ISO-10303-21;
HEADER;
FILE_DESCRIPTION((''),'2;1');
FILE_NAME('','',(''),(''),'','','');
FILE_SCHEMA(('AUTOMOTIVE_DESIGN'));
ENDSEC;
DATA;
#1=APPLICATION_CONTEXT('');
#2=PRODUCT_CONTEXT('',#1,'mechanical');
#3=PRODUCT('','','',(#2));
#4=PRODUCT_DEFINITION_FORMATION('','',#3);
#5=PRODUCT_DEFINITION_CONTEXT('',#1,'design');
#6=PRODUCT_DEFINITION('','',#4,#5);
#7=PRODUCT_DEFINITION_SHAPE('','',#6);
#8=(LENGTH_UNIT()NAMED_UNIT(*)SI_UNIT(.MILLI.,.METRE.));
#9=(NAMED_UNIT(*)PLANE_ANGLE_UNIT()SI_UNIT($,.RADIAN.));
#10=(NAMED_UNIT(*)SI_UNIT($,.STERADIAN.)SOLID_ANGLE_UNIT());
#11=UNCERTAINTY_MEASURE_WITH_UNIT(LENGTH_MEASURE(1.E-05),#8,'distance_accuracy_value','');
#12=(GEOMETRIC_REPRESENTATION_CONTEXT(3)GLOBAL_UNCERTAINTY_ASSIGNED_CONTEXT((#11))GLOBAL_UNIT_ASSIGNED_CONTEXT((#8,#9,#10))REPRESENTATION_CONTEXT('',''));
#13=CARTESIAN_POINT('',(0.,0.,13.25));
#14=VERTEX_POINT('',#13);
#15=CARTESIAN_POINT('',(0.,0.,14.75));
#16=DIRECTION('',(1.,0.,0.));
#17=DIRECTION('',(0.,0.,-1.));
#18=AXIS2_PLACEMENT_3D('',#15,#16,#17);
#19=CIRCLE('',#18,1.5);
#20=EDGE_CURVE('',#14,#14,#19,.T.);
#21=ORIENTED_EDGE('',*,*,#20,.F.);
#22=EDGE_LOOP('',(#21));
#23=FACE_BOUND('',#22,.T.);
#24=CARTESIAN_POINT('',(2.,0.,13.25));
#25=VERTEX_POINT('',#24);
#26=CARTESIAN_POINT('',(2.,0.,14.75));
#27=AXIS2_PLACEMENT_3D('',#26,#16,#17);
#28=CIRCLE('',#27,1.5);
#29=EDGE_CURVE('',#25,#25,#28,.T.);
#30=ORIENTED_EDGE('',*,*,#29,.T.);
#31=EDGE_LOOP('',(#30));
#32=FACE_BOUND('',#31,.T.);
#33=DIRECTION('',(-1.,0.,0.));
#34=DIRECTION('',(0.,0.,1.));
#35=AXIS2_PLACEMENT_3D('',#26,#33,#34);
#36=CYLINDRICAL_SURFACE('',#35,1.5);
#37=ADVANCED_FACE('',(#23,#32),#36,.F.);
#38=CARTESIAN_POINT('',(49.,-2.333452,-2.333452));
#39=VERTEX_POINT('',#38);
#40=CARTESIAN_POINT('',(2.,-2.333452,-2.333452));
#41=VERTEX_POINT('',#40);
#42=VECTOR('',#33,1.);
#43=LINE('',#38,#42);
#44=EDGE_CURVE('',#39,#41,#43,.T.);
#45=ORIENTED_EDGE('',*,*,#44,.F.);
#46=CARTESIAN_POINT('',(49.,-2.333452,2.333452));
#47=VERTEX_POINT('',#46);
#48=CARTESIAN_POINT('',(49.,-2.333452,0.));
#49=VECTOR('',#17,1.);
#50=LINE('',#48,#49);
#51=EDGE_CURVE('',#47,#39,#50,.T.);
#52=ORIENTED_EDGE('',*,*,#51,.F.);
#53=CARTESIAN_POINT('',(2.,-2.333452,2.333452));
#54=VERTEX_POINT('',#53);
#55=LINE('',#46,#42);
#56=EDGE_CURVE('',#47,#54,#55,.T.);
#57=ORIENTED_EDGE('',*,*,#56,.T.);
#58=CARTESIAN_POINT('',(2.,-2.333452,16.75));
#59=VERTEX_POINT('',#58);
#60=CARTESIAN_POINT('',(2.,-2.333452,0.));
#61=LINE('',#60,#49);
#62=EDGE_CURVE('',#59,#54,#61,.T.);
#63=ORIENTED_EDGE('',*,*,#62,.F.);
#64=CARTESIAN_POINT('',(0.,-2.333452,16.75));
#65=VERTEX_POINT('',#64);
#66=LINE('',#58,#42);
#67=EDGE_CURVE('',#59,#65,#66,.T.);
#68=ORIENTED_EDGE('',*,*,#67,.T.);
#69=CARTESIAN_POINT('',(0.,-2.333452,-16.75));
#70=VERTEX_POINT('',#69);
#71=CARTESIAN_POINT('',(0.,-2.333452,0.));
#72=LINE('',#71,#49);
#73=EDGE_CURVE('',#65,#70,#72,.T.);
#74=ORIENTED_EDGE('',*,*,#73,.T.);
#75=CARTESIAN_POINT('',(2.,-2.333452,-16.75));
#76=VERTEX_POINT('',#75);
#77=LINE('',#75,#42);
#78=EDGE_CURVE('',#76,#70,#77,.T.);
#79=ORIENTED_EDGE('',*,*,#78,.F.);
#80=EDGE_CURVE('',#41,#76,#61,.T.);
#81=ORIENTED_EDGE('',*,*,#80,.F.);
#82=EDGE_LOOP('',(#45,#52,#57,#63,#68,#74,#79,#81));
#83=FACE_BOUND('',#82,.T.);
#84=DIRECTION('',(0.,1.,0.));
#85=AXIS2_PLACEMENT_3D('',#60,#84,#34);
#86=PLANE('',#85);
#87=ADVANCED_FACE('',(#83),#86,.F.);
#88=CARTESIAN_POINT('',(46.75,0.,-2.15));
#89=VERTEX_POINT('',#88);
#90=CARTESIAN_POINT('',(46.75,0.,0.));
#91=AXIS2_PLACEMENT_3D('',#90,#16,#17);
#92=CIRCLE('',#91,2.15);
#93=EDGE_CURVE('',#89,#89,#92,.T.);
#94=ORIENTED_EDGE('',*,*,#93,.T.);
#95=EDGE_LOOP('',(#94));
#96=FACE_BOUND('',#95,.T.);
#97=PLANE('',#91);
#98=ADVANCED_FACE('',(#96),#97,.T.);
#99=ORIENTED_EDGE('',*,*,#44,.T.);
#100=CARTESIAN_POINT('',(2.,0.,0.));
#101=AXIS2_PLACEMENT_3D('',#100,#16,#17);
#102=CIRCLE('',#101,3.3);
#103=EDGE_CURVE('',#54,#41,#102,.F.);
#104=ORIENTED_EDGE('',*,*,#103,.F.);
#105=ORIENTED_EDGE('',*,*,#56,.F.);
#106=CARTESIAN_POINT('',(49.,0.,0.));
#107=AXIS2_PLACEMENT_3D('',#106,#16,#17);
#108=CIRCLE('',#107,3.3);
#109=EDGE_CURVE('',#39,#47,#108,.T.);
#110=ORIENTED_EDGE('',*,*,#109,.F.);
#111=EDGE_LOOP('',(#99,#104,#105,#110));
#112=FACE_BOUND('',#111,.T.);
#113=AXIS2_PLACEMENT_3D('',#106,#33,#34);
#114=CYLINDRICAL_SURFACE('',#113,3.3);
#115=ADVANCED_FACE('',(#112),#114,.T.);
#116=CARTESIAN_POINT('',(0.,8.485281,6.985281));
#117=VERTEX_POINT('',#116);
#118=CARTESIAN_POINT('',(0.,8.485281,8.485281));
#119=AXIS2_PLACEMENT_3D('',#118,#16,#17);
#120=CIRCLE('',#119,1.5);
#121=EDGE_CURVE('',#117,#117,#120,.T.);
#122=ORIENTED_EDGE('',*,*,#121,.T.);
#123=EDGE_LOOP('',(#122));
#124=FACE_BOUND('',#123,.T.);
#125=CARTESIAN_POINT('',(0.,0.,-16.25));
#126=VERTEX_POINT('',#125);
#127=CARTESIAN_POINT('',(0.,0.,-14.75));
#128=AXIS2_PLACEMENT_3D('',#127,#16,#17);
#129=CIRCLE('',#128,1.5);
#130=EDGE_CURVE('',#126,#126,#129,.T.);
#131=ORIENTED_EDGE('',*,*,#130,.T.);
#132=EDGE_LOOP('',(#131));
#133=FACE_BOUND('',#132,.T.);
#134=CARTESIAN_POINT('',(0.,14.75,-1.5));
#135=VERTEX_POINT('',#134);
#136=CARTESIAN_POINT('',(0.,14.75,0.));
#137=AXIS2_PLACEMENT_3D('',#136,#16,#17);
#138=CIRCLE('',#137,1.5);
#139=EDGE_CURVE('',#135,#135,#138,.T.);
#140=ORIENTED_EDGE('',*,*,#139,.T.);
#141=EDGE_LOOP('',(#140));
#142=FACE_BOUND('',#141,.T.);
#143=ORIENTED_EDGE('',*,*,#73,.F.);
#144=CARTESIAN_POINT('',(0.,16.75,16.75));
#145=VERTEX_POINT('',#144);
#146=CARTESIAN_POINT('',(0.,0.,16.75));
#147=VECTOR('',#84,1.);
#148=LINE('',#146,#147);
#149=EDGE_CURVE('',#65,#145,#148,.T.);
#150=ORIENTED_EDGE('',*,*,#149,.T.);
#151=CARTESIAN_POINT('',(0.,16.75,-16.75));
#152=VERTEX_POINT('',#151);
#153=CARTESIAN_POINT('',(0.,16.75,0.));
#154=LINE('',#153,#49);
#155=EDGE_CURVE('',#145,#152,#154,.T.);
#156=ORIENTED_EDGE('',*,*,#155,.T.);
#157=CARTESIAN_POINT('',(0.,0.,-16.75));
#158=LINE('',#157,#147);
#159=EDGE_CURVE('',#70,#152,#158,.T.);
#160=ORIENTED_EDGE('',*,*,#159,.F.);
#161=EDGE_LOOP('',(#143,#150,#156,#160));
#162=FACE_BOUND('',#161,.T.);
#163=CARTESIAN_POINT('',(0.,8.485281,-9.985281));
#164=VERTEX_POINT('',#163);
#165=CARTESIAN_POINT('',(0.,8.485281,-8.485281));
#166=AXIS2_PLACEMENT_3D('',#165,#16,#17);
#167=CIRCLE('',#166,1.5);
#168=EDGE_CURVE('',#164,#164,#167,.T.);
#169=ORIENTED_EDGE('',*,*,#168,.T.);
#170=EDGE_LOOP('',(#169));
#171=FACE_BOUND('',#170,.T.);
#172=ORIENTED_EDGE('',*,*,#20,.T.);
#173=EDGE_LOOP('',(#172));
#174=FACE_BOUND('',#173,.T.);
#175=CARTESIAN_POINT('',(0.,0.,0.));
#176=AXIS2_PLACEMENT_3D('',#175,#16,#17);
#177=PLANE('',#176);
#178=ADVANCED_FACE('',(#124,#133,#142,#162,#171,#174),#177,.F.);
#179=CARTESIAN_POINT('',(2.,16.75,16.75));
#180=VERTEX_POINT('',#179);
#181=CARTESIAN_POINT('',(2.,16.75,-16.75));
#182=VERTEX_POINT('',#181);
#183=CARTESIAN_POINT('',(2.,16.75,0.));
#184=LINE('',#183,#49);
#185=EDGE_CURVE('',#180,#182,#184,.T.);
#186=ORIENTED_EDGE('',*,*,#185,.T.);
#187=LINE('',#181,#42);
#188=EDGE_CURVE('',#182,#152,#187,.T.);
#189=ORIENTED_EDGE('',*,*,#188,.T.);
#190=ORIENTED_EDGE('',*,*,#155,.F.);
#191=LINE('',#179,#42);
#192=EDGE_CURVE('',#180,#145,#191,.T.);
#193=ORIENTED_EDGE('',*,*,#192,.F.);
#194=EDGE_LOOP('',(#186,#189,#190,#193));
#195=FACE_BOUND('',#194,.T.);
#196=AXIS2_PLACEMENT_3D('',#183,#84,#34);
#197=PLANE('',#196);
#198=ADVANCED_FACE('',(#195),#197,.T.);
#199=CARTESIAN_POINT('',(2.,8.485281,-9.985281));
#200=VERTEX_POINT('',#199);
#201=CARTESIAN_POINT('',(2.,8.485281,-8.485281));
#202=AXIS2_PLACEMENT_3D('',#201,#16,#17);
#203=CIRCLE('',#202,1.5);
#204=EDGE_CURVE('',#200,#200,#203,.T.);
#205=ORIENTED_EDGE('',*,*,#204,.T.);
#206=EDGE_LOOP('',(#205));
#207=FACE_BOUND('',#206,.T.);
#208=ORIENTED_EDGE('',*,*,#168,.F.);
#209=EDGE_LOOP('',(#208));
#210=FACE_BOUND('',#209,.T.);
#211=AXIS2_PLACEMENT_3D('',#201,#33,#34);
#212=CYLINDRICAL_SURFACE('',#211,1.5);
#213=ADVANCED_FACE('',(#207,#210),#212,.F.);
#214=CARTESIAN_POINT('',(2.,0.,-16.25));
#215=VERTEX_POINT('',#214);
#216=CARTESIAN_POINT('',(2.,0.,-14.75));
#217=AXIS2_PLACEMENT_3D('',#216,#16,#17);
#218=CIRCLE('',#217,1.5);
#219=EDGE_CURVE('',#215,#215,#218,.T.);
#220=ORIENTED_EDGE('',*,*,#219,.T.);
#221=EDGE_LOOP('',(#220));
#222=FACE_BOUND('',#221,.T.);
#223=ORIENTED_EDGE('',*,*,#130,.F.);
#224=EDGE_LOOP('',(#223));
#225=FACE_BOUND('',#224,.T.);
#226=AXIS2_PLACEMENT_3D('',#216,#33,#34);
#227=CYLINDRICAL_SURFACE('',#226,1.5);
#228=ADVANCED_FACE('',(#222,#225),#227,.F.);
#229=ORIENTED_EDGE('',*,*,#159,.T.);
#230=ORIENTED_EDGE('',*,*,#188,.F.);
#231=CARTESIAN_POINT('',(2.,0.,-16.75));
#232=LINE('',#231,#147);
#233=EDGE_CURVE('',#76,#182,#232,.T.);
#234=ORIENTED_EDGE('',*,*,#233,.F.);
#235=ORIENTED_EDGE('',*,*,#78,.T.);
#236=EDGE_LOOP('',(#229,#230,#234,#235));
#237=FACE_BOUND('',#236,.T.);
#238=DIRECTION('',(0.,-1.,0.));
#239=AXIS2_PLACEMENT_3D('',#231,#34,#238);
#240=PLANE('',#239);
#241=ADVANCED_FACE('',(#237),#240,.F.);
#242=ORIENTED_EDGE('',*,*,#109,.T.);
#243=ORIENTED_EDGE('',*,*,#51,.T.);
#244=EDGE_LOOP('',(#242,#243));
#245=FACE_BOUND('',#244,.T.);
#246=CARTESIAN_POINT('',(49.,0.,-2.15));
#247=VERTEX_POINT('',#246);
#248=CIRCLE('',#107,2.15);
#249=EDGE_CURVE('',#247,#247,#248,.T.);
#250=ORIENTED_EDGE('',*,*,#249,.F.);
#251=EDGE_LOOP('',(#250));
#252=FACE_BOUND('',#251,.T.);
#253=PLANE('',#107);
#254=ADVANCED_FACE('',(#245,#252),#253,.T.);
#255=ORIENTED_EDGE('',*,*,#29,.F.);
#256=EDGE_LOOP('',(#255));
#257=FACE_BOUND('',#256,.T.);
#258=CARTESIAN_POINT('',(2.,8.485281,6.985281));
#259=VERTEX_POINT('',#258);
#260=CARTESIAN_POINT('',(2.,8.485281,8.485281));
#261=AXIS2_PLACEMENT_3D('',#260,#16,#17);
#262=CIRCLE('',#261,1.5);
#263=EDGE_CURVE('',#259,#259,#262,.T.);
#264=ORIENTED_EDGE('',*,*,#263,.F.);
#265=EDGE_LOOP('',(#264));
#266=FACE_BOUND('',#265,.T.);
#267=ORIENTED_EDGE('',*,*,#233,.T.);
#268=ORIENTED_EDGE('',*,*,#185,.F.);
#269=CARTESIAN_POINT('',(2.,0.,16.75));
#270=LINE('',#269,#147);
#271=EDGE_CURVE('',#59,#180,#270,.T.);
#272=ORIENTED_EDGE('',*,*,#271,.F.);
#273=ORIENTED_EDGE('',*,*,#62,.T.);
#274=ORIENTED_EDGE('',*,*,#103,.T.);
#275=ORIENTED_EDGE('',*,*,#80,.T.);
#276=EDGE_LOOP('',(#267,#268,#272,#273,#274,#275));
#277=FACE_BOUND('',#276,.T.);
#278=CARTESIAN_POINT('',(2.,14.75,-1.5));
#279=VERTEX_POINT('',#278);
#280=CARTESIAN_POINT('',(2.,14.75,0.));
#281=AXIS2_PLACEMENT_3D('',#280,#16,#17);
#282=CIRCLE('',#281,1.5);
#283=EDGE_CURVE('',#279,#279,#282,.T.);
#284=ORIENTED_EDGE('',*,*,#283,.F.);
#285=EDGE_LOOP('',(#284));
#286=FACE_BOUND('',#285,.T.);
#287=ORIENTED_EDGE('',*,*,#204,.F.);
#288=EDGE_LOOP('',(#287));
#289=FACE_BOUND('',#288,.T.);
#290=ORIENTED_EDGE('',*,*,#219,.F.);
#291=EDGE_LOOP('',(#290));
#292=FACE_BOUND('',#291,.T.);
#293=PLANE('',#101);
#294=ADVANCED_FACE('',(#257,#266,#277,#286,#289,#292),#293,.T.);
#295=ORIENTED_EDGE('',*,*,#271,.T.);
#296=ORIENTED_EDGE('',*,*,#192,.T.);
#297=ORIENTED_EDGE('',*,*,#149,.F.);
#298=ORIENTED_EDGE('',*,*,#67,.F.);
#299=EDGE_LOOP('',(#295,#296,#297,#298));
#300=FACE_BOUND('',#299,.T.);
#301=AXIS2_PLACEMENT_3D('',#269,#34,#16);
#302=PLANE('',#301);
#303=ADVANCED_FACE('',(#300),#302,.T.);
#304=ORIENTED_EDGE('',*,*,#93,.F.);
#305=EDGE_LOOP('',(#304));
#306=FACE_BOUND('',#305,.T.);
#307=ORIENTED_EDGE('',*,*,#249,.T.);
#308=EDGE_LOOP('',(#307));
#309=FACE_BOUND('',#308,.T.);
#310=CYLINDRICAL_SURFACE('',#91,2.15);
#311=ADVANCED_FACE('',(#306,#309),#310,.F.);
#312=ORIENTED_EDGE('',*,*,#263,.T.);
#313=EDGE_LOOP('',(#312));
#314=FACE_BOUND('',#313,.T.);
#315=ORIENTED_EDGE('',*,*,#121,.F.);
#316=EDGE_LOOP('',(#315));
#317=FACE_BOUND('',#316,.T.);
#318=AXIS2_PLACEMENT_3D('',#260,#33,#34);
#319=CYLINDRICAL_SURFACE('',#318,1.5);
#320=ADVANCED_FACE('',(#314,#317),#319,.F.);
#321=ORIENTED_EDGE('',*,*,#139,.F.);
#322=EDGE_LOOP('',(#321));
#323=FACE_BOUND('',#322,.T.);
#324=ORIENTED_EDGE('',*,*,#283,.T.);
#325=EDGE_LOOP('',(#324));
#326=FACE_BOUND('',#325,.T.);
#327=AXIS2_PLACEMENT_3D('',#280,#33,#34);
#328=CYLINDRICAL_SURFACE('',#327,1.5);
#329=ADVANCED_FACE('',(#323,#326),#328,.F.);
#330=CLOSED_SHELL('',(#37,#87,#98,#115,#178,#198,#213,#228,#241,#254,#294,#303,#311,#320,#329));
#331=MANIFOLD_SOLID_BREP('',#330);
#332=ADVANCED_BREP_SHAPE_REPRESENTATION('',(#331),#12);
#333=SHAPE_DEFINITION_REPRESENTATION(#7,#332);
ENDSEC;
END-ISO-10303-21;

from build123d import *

# Parameters (mm, degrees)
SKETCH1_W           = 33.5
SKETCH1_H           = 19.083452378
SKETCH1_R           = 1.5
BOSS_EXTRUDE1_DEPTH = 2
BOSS_EXTRUDE2_DEPTH = 49
SKETCH3_R           = 2.15
CUT_EXTRUDE1_DEPTH  = 2.25


with BuildPart() as part:
    # Sketch1 → Boss-Extrude1 (new body)
    with BuildSketch(Plane(origin=(0, 0, 0), x_dir=(0, 0, -1), z_dir=(1, 0, 0))):
        with Locations((0, 7.208273811)):
            Rectangle(SKETCH1_W, SKETCH1_H)
        with Locations((-14.75, 0)):
            Circle(SKETCH1_R, mode=Mode.SUBTRACT)
        with Locations((14.75, 0)):
            Circle(SKETCH1_R, mode=Mode.SUBTRACT)
        with Locations((-8.485281374, 8.485281374)):
            Circle(SKETCH1_R, mode=Mode.SUBTRACT)
        with Locations((8.485281374, 8.485281374)):
            Circle(SKETCH1_R, mode=Mode.SUBTRACT)
        with Locations((0, 14.75)):
            Circle(SKETCH1_R, mode=Mode.SUBTRACT)
    extrude(amount=BOSS_EXTRUDE1_DEPTH)

    # Sketch1<3> → Boss-Extrude2 (add)
    with BuildSketch(Plane(origin=(0, 0, 0), x_dir=(0, 0, -1), z_dir=(1, 0, 0))):
        with BuildLine():
            Line((-2.333452378, -2.333452378), (2.333452378, -2.333452378))
            ThreePointArc((2.333452378, -2.333452378), (0, 3.3), (-2.333452378, -2.333452378))
        make_face()
    extrude(amount=BOSS_EXTRUDE2_DEPTH)

    # Sketch3 → Cut-Extrude1 (cut)
    with BuildSketch(Plane(origin=(49, 0, 0), x_dir=(0, 0, -1), z_dir=(1, 0, 0))):
        Circle(SKETCH3_R)
    extrude(amount=-CUT_EXTRUDE1_DEPTH, mode=Mode.SUBTRACT)


solid = part.part
